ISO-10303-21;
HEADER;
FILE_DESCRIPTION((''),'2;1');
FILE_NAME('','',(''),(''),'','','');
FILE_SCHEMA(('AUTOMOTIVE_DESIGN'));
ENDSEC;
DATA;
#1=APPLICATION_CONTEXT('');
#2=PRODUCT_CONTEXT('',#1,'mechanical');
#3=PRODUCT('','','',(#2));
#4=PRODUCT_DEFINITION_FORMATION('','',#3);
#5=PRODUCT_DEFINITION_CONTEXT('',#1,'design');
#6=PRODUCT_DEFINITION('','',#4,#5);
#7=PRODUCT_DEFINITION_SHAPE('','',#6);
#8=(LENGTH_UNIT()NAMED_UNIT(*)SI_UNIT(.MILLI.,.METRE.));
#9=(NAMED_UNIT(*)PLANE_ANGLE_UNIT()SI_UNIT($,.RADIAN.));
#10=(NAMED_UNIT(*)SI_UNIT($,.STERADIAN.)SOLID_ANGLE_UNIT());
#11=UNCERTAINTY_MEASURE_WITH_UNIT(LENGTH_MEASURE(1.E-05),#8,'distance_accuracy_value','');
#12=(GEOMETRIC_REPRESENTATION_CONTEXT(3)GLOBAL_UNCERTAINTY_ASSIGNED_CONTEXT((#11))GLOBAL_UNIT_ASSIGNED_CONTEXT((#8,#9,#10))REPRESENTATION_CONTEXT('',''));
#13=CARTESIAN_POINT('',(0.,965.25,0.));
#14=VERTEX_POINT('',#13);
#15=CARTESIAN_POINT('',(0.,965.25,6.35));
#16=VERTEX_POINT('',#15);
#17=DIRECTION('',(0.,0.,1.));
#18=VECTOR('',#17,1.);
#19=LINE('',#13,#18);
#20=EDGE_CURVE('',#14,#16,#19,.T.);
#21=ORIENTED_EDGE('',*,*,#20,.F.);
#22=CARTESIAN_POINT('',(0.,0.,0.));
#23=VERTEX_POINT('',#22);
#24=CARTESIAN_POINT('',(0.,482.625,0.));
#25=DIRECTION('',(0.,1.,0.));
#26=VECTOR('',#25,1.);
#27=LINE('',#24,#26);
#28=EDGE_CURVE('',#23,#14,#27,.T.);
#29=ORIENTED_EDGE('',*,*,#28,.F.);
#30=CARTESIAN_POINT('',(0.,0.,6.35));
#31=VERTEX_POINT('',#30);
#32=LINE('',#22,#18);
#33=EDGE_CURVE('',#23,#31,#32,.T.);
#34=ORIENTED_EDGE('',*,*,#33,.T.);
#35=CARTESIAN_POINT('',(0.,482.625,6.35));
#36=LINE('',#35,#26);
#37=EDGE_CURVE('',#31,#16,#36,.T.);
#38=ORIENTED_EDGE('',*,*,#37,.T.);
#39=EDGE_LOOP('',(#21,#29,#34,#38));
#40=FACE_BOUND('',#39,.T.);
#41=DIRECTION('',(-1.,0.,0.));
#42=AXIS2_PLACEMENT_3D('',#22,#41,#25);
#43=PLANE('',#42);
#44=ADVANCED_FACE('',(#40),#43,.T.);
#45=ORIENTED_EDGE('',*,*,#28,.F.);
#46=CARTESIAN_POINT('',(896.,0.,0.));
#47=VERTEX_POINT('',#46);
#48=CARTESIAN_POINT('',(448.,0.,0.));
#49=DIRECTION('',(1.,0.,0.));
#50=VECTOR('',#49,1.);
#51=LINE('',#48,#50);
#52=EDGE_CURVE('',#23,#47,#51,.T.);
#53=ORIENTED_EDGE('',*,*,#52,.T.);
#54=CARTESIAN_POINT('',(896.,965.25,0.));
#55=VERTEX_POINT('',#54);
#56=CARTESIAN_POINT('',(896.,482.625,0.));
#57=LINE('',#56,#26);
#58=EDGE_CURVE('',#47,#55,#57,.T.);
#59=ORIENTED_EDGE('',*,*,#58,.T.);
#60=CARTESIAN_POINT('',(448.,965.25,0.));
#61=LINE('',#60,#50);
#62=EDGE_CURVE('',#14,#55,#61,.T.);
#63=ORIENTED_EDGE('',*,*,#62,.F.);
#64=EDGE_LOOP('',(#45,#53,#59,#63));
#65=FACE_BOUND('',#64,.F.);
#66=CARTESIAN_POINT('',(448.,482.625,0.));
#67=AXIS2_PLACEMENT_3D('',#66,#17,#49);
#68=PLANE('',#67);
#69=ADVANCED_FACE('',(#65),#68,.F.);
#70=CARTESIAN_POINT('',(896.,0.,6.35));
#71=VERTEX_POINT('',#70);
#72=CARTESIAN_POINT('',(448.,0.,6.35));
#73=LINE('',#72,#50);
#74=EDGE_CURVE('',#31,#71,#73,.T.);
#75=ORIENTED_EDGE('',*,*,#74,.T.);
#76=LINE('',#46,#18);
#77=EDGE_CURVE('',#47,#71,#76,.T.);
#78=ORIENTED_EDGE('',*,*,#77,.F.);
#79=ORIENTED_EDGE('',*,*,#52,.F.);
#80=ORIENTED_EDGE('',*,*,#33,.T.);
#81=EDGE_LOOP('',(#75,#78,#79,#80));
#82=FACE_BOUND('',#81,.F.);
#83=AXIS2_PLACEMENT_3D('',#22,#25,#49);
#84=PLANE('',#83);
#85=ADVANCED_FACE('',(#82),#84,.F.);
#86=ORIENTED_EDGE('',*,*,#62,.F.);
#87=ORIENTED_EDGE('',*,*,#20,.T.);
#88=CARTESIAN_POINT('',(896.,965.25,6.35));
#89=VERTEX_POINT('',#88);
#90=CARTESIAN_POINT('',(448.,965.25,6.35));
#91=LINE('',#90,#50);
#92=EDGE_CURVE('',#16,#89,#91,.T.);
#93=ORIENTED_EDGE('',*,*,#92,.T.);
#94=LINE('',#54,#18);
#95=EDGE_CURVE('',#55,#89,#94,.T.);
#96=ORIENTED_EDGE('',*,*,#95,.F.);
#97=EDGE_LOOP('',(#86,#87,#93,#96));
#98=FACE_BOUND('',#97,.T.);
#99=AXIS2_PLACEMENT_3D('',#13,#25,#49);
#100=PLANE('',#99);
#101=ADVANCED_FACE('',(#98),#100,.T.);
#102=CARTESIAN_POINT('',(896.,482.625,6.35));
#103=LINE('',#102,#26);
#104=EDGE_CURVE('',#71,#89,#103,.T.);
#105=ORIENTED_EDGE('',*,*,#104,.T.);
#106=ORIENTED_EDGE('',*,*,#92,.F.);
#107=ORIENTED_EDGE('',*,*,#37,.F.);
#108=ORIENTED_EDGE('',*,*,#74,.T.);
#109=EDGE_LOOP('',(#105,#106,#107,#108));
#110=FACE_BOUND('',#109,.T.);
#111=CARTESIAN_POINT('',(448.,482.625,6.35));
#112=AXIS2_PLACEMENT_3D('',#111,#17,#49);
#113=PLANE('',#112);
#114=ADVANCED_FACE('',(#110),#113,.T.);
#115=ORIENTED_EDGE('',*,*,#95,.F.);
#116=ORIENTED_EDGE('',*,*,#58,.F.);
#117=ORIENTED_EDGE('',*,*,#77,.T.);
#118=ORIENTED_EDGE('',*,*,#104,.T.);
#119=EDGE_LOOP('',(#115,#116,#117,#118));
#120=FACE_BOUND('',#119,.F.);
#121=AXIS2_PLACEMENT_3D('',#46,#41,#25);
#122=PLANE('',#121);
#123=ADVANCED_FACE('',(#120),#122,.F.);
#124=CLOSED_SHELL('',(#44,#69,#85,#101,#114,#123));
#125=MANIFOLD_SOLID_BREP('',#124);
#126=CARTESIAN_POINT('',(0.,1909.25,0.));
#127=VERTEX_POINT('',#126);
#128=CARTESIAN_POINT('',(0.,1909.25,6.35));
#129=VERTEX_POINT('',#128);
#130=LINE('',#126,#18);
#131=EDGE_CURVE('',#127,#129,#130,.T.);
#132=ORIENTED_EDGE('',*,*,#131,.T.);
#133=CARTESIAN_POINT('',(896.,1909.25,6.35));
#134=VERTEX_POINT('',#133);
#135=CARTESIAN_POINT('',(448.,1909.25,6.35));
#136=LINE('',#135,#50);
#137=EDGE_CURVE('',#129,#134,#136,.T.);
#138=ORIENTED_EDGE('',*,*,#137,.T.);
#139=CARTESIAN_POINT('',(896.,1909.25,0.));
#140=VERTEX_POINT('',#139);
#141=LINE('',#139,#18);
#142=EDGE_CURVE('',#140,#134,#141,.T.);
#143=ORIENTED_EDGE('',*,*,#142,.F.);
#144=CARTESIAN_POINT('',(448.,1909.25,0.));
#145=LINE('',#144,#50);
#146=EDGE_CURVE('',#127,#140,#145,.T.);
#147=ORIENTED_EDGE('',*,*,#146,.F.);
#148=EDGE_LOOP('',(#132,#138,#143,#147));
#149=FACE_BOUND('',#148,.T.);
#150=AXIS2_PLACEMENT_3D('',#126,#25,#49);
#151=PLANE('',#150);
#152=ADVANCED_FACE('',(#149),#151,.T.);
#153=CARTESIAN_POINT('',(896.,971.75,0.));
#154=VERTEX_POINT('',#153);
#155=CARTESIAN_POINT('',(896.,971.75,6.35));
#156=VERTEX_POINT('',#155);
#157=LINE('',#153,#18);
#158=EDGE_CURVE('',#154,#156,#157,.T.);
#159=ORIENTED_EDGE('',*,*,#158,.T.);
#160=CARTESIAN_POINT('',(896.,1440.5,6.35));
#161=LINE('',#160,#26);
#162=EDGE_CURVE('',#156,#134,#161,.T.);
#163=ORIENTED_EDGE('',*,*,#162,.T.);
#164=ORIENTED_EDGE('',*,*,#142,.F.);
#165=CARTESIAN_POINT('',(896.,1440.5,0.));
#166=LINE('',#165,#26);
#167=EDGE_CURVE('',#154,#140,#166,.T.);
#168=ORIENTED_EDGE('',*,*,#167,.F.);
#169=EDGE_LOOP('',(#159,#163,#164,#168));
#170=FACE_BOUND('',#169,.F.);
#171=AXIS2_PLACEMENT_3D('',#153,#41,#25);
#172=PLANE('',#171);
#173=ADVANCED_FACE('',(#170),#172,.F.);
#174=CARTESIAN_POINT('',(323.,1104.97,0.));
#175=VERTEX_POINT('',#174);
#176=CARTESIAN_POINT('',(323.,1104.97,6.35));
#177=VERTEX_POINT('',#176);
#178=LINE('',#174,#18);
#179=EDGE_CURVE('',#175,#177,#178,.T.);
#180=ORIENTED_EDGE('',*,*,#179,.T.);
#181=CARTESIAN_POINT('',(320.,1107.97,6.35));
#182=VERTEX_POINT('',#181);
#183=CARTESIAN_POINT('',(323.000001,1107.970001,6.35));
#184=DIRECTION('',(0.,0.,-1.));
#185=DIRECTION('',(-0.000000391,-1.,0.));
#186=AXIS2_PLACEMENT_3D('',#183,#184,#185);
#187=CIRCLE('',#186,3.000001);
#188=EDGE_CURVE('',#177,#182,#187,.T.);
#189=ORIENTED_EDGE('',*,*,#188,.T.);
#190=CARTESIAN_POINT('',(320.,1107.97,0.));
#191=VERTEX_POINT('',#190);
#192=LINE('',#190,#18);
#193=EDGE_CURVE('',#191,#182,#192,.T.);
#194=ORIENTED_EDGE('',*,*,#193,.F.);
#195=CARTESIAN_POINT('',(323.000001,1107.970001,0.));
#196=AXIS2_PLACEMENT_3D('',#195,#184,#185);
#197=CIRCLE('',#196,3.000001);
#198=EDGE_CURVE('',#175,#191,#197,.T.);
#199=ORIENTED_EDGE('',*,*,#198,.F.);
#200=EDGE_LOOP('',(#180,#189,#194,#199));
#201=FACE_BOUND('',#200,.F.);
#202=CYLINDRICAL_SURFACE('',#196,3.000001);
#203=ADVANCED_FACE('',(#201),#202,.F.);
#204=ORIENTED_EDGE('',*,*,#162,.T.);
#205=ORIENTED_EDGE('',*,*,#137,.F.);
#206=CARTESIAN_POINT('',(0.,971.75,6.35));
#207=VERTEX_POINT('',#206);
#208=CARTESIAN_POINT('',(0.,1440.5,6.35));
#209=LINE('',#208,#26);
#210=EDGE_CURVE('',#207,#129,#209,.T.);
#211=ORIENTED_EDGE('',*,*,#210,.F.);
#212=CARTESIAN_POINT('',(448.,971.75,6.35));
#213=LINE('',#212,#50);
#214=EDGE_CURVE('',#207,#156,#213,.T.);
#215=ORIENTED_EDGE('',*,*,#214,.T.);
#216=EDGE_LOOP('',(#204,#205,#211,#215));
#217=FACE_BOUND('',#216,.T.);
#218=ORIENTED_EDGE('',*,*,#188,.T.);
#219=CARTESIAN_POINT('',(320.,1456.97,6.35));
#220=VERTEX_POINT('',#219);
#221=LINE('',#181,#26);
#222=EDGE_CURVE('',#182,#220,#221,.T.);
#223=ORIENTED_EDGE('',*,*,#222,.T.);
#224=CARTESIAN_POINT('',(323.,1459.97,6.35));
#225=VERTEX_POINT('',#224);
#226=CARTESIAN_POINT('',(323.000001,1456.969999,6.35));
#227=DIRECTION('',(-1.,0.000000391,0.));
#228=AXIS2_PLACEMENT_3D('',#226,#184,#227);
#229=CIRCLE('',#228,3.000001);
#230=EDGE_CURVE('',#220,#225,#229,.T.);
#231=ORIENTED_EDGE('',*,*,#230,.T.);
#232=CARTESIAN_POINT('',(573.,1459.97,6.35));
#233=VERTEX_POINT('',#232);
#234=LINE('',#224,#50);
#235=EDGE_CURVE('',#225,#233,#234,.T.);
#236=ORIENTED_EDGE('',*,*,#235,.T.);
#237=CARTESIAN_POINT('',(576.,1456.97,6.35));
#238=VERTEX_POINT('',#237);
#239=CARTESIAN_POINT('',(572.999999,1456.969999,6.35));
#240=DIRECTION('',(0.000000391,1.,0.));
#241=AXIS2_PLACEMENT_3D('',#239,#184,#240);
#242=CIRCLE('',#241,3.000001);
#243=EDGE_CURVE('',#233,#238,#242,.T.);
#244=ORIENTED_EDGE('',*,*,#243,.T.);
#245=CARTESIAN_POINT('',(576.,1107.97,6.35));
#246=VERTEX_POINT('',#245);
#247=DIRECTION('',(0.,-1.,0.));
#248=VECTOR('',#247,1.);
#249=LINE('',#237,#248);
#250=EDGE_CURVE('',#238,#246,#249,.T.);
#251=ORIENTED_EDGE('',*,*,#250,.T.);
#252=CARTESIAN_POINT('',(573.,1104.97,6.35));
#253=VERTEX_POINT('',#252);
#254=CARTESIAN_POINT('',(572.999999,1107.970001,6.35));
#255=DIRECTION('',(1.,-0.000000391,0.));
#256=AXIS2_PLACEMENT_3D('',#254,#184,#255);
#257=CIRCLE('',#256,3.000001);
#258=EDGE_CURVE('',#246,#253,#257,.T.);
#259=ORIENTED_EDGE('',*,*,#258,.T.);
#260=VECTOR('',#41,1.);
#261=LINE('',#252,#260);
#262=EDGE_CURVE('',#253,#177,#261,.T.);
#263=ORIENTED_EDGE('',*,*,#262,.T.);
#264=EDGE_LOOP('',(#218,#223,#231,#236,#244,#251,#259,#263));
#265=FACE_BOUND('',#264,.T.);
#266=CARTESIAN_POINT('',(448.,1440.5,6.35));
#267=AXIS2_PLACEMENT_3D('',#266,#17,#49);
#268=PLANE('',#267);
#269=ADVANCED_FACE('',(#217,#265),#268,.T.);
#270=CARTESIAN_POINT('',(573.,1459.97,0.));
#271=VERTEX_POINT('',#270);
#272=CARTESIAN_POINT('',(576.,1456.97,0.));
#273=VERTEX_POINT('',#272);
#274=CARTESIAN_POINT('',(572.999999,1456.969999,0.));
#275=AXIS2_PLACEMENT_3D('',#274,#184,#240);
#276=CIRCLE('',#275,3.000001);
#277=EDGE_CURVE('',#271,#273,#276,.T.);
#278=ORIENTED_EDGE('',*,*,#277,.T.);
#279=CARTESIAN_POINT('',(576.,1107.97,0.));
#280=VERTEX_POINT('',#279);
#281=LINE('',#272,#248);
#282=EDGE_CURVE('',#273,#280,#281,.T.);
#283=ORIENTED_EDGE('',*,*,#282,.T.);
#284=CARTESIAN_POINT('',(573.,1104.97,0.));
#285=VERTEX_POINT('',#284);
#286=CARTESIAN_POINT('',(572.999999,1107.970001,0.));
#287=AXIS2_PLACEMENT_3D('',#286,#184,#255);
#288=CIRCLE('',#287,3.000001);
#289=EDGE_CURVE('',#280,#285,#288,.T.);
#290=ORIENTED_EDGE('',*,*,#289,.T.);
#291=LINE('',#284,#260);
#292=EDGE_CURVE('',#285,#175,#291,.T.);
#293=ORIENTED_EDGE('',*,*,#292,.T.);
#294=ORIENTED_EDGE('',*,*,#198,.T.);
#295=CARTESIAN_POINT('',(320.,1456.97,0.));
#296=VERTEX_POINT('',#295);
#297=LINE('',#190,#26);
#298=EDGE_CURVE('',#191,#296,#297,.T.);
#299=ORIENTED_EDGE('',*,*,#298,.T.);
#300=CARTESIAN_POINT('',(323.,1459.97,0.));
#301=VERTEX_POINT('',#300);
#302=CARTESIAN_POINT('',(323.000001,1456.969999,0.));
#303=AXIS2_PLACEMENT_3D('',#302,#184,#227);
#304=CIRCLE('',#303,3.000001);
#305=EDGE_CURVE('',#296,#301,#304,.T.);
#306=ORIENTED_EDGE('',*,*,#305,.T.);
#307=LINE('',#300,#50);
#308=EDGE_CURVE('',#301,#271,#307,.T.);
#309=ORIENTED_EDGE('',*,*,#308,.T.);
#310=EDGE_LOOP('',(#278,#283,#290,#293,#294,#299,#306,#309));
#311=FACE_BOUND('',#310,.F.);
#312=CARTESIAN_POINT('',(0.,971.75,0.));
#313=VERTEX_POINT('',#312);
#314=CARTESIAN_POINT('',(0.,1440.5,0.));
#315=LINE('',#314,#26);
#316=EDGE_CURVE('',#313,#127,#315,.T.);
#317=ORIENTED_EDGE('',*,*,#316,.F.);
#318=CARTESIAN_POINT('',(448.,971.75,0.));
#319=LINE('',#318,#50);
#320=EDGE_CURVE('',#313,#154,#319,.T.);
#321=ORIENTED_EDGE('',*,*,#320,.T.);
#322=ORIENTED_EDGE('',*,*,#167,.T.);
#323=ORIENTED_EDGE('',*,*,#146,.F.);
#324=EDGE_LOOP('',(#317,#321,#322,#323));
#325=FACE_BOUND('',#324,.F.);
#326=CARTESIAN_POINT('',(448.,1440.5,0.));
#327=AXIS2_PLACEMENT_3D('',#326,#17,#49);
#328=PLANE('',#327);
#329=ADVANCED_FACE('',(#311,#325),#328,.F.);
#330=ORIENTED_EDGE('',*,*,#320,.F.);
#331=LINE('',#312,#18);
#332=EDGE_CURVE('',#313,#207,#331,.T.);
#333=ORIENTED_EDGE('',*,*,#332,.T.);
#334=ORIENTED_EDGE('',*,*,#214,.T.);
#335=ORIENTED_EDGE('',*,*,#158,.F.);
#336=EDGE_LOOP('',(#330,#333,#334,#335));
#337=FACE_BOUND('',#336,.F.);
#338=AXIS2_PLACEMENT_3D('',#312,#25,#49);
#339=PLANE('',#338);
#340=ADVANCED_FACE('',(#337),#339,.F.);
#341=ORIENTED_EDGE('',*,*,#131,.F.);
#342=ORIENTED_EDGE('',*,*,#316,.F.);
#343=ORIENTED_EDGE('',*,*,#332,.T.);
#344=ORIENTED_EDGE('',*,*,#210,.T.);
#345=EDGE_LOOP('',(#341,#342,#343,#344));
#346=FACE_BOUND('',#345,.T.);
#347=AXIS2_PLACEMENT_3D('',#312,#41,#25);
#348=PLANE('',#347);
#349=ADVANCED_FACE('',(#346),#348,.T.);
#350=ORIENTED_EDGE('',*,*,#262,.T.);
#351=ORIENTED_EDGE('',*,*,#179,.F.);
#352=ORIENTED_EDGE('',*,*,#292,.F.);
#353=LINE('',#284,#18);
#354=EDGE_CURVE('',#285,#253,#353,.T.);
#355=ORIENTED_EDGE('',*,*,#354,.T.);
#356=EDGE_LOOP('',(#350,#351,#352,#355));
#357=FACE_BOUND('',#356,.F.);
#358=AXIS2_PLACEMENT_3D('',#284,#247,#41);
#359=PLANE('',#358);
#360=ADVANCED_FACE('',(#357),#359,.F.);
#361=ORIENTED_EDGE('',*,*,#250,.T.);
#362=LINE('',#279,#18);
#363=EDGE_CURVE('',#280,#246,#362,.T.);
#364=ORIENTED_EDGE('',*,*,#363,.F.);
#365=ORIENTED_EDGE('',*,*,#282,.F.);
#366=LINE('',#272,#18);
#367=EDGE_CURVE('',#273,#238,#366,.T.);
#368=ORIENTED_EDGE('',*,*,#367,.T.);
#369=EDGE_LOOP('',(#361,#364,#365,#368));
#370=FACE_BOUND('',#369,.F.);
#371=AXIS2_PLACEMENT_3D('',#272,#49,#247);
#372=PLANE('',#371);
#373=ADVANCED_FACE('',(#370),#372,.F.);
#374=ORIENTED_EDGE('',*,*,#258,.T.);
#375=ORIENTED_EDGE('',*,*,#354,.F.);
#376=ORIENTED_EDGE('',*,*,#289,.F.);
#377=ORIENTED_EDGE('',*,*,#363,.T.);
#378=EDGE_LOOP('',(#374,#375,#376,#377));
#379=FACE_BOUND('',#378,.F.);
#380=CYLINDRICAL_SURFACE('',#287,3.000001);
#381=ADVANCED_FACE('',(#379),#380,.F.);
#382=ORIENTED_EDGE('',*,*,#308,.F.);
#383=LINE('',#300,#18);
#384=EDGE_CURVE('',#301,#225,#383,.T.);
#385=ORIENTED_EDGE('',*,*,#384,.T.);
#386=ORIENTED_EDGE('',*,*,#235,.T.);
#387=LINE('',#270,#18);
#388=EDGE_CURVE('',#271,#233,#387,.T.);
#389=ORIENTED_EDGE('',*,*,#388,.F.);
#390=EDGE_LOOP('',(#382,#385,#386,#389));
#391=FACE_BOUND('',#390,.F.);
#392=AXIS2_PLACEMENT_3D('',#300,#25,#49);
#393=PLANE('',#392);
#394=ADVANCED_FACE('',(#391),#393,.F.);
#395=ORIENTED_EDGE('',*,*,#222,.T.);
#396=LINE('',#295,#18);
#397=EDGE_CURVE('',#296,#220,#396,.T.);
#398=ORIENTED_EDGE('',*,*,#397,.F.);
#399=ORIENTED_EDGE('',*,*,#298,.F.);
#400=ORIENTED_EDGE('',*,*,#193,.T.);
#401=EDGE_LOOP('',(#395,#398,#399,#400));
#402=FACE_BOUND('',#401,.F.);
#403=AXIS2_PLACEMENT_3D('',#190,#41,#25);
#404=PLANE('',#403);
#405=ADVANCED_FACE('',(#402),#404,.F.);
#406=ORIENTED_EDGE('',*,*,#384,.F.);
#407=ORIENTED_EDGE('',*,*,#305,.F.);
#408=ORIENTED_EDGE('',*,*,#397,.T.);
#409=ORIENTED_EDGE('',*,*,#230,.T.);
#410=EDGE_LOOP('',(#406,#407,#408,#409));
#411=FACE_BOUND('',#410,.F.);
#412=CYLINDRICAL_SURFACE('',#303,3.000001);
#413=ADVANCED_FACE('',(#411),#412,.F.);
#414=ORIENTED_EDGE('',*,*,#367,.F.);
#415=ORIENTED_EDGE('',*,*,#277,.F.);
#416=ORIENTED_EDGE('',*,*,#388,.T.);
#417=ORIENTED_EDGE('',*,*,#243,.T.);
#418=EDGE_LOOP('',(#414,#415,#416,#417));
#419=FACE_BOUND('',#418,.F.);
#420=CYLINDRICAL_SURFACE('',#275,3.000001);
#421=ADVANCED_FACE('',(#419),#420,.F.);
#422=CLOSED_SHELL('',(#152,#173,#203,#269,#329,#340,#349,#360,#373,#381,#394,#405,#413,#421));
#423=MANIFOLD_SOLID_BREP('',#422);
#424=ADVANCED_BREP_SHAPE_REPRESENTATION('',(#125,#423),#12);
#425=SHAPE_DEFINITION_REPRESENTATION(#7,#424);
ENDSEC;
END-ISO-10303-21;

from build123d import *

# Parameters (mm, degrees)
F0_W     = 896
F0_H     = 965.25
F1_DEPTH = 6.35
F0_H_2   = 937.5
F2_DEPTH = 6.35


with BuildPart() as f1:
    # F0 (on Top) → F1 (new body)
    with BuildSketch(Plane.XY):
        with Locations((448, 482.625)):
            Rectangle(F0_W, F0_H)
    extrude(amount=F1_DEPTH)


with BuildPart() as f2:
    # F0 (on Top) → F2 (new body)
    with BuildSketch(Plane.XY):
        with Locations((448, 1440.5)):
            Rectangle(F0_W, F0_H_2)
        with BuildLine():
            Line((573, 1104.97), (323, 1104.97))
            ThreePointArc((323, 1104.97), (320.87868, 1105.84868), (320, 1107.97))
            Line((320, 1107.97), (320, 1456.97))
            ThreePointArc((320, 1456.97), (320.87868, 1459.09132), (323, 1459.97))
            Line((323, 1459.97), (573, 1459.97))
            ThreePointArc((573, 1459.97), (575.12132, 1459.09132), (576, 1456.97))
            Line((576, 1456.97), (576, 1107.97))
            ThreePointArc((576, 1107.97), (575.12132, 1105.84868), (573, 1104.97))
        make_face(mode=Mode.SUBTRACT)
    extrude(amount=F2_DEPTH)


solid = Compound([f1.part, f2.part])
